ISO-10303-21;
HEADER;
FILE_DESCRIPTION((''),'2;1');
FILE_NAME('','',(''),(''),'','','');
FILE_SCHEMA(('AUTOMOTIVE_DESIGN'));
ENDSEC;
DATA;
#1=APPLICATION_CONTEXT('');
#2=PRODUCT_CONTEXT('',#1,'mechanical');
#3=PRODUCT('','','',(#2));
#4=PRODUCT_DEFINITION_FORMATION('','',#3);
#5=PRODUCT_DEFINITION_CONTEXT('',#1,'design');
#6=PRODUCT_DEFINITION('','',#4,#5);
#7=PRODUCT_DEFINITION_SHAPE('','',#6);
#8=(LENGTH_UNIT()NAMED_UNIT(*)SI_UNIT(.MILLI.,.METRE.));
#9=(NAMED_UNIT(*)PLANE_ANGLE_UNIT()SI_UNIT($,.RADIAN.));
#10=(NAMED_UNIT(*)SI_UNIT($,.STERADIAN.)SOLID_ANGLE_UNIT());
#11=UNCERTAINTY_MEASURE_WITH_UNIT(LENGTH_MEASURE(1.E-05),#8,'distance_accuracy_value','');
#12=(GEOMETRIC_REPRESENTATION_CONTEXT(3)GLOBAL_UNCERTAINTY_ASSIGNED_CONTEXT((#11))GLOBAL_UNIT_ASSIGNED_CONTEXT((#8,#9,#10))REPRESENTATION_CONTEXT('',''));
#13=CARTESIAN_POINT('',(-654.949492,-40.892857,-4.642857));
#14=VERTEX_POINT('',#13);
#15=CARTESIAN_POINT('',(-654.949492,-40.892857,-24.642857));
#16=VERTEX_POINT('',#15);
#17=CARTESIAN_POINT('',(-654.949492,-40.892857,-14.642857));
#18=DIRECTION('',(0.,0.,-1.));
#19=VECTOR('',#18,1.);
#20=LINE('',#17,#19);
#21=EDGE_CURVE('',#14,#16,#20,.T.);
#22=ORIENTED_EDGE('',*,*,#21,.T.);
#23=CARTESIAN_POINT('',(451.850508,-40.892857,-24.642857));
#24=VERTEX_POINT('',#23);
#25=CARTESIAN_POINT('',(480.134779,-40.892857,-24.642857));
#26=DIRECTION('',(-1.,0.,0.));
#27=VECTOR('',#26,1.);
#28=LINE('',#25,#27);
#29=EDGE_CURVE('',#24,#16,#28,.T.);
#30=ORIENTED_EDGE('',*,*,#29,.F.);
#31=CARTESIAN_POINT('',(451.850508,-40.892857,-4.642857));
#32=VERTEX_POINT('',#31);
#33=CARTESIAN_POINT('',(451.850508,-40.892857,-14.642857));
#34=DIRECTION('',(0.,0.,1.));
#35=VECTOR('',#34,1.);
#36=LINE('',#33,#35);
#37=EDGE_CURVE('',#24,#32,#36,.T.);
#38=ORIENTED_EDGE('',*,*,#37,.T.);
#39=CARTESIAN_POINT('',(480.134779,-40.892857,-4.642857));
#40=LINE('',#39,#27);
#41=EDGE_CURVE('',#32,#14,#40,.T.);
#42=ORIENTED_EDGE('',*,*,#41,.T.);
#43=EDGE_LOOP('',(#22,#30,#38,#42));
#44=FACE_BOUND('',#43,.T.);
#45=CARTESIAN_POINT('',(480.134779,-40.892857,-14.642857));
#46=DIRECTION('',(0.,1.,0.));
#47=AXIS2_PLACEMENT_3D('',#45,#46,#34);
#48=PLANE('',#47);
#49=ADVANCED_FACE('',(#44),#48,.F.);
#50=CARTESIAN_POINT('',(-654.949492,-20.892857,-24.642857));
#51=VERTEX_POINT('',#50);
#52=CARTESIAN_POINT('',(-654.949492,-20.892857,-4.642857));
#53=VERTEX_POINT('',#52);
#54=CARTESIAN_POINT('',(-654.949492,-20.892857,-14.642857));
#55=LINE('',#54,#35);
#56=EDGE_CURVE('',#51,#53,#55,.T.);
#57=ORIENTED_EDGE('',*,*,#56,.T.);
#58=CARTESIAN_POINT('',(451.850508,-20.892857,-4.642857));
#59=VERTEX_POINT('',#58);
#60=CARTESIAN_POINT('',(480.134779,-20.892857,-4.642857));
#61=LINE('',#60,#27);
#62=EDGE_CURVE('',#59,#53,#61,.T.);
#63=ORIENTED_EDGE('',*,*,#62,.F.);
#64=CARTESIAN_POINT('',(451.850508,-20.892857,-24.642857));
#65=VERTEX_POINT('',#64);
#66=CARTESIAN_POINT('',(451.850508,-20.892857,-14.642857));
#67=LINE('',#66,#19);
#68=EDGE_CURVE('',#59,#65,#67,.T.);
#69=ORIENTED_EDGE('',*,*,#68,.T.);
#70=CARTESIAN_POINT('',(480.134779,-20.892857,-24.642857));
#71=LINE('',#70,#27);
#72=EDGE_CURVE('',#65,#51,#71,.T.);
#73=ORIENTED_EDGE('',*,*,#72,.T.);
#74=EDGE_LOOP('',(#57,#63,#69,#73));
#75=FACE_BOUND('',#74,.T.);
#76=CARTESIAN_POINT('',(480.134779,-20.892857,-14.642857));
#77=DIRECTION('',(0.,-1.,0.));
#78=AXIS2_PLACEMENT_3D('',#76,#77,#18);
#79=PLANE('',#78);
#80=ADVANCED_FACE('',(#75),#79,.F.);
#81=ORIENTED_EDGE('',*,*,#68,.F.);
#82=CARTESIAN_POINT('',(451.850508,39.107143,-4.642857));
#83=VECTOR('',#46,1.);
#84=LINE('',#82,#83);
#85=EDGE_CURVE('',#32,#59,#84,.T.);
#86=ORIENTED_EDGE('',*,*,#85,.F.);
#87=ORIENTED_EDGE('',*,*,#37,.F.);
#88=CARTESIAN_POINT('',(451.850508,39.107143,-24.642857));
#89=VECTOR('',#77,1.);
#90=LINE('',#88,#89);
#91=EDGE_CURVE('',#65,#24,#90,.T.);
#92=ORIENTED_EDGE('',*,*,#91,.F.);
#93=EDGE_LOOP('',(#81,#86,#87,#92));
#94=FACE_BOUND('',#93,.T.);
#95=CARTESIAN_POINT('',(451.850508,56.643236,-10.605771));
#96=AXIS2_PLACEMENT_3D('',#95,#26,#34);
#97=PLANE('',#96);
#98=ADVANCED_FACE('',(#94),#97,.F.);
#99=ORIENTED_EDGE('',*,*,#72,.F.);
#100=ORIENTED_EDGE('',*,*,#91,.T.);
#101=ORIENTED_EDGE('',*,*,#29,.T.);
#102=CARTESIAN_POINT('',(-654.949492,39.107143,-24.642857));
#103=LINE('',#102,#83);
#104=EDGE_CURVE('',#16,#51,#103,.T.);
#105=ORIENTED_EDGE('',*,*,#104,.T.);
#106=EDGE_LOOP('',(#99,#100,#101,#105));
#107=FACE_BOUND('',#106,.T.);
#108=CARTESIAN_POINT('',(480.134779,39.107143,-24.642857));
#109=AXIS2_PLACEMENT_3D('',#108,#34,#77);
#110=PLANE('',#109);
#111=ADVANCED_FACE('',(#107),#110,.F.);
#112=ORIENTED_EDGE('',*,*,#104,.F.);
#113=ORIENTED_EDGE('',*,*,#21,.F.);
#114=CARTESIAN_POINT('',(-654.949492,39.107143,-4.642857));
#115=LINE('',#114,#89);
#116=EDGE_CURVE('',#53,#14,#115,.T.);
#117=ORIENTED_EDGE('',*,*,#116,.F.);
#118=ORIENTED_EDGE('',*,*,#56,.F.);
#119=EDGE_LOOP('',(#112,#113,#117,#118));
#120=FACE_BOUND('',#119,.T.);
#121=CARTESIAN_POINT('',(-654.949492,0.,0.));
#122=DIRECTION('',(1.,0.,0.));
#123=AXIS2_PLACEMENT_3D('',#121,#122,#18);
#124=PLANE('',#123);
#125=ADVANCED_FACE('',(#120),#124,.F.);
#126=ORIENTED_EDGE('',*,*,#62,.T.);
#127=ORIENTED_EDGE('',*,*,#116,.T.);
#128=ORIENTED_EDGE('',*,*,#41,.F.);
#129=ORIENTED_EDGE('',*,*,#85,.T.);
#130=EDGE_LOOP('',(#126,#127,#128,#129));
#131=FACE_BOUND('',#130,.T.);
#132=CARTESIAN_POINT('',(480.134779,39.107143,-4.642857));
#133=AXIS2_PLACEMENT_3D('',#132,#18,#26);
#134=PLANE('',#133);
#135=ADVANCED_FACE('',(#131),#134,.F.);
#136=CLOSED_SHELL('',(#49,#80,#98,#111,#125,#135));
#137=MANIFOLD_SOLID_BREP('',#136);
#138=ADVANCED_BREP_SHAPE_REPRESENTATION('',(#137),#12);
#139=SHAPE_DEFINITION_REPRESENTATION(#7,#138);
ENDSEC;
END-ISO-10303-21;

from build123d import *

# Parameters (mm, degrees)
BOSS_EXTRUDE1_START = -654.949492
SKETCH1_W           = 20
SKETCH1_H           = 20
BOSS_EXTRUDE1_DEPTH = 1106.8


with BuildPart() as part:
    # Sketch1 → Boss-Extrude1 (new body)
    with BuildSketch(Plane(origin=(0, 0, 0), x_dir=(0, 0, -1), z_dir=(1, 0, 0)).offset(BOSS_EXTRUDE1_START)):
        with Locations((14.642857143, -30.892857143)):
            Rectangle(SKETCH1_W, SKETCH1_H)
    extrude(amount=BOSS_EXTRUDE1_DEPTH)


solid = part.part
